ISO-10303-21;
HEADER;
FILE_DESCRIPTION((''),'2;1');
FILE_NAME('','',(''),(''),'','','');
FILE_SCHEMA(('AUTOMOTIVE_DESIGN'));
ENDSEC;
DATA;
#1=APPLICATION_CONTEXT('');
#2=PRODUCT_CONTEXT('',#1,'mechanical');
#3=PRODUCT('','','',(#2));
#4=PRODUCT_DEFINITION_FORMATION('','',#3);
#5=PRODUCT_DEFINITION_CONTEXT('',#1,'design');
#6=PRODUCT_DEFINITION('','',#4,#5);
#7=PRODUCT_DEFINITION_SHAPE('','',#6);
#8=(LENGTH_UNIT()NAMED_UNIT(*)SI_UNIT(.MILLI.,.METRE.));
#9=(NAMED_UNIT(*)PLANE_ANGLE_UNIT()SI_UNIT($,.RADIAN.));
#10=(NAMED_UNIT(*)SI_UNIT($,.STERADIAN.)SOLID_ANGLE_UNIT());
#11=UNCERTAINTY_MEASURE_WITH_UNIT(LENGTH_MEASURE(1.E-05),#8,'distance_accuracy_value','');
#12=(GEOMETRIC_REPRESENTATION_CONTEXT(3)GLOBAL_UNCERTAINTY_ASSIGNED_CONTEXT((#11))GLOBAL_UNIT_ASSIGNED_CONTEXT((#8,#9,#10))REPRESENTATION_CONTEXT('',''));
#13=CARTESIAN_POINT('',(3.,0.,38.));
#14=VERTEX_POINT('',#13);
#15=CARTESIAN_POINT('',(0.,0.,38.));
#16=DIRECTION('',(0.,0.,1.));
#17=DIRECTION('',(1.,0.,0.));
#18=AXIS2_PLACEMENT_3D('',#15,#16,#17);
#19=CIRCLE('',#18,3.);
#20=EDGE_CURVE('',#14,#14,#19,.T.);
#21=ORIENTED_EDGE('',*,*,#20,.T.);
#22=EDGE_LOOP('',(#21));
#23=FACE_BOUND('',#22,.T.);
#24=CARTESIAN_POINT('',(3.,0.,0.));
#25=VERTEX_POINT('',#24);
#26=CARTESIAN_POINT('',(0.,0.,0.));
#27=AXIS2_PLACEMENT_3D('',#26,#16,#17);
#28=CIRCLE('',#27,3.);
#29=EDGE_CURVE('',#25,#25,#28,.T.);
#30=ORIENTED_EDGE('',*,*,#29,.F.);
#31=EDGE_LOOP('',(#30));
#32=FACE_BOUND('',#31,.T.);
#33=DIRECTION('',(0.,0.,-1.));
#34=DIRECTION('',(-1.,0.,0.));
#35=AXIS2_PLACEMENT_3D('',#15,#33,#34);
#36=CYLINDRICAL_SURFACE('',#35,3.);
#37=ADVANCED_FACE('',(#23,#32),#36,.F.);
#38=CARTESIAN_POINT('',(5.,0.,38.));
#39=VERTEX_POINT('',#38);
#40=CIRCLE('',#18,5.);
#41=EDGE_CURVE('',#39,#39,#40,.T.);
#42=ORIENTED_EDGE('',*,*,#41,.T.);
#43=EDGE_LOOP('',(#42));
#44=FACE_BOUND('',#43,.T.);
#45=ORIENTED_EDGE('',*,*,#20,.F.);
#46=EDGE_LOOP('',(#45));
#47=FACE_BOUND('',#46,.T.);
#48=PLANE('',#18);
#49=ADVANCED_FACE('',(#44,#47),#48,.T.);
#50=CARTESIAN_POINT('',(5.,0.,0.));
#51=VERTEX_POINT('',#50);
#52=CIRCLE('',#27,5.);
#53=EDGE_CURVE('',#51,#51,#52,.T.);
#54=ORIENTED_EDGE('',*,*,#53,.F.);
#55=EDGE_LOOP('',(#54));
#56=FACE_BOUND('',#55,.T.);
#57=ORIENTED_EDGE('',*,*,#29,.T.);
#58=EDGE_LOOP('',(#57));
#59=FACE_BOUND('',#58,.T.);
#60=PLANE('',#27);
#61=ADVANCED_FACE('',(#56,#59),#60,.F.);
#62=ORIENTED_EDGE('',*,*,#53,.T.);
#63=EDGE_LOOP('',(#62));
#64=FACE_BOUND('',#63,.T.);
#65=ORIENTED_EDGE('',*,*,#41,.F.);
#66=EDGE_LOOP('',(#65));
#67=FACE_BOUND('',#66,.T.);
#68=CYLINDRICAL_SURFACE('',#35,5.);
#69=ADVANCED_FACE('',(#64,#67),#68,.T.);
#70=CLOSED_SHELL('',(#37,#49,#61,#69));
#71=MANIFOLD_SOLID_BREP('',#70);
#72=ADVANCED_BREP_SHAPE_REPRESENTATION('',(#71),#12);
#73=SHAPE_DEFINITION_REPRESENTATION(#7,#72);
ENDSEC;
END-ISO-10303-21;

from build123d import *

# Parameters (mm, degrees)
ESBO_O1_R                = 5
ESBO_O1_R_2              = 3
RESSALTO_EXTRUS_O1_DEPTH = 38


with BuildPart() as part:
    # Esboço1 → Ressalto-extrusão1 (new body)
    with BuildSketch(Plane.XY):
        Circle(ESBO_O1_R)
        Circle(ESBO_O1_R_2, mode=Mode.SUBTRACT)
    extrude(amount=RESSALTO_EXTRUS_O1_DEPTH)


solid = part.part
